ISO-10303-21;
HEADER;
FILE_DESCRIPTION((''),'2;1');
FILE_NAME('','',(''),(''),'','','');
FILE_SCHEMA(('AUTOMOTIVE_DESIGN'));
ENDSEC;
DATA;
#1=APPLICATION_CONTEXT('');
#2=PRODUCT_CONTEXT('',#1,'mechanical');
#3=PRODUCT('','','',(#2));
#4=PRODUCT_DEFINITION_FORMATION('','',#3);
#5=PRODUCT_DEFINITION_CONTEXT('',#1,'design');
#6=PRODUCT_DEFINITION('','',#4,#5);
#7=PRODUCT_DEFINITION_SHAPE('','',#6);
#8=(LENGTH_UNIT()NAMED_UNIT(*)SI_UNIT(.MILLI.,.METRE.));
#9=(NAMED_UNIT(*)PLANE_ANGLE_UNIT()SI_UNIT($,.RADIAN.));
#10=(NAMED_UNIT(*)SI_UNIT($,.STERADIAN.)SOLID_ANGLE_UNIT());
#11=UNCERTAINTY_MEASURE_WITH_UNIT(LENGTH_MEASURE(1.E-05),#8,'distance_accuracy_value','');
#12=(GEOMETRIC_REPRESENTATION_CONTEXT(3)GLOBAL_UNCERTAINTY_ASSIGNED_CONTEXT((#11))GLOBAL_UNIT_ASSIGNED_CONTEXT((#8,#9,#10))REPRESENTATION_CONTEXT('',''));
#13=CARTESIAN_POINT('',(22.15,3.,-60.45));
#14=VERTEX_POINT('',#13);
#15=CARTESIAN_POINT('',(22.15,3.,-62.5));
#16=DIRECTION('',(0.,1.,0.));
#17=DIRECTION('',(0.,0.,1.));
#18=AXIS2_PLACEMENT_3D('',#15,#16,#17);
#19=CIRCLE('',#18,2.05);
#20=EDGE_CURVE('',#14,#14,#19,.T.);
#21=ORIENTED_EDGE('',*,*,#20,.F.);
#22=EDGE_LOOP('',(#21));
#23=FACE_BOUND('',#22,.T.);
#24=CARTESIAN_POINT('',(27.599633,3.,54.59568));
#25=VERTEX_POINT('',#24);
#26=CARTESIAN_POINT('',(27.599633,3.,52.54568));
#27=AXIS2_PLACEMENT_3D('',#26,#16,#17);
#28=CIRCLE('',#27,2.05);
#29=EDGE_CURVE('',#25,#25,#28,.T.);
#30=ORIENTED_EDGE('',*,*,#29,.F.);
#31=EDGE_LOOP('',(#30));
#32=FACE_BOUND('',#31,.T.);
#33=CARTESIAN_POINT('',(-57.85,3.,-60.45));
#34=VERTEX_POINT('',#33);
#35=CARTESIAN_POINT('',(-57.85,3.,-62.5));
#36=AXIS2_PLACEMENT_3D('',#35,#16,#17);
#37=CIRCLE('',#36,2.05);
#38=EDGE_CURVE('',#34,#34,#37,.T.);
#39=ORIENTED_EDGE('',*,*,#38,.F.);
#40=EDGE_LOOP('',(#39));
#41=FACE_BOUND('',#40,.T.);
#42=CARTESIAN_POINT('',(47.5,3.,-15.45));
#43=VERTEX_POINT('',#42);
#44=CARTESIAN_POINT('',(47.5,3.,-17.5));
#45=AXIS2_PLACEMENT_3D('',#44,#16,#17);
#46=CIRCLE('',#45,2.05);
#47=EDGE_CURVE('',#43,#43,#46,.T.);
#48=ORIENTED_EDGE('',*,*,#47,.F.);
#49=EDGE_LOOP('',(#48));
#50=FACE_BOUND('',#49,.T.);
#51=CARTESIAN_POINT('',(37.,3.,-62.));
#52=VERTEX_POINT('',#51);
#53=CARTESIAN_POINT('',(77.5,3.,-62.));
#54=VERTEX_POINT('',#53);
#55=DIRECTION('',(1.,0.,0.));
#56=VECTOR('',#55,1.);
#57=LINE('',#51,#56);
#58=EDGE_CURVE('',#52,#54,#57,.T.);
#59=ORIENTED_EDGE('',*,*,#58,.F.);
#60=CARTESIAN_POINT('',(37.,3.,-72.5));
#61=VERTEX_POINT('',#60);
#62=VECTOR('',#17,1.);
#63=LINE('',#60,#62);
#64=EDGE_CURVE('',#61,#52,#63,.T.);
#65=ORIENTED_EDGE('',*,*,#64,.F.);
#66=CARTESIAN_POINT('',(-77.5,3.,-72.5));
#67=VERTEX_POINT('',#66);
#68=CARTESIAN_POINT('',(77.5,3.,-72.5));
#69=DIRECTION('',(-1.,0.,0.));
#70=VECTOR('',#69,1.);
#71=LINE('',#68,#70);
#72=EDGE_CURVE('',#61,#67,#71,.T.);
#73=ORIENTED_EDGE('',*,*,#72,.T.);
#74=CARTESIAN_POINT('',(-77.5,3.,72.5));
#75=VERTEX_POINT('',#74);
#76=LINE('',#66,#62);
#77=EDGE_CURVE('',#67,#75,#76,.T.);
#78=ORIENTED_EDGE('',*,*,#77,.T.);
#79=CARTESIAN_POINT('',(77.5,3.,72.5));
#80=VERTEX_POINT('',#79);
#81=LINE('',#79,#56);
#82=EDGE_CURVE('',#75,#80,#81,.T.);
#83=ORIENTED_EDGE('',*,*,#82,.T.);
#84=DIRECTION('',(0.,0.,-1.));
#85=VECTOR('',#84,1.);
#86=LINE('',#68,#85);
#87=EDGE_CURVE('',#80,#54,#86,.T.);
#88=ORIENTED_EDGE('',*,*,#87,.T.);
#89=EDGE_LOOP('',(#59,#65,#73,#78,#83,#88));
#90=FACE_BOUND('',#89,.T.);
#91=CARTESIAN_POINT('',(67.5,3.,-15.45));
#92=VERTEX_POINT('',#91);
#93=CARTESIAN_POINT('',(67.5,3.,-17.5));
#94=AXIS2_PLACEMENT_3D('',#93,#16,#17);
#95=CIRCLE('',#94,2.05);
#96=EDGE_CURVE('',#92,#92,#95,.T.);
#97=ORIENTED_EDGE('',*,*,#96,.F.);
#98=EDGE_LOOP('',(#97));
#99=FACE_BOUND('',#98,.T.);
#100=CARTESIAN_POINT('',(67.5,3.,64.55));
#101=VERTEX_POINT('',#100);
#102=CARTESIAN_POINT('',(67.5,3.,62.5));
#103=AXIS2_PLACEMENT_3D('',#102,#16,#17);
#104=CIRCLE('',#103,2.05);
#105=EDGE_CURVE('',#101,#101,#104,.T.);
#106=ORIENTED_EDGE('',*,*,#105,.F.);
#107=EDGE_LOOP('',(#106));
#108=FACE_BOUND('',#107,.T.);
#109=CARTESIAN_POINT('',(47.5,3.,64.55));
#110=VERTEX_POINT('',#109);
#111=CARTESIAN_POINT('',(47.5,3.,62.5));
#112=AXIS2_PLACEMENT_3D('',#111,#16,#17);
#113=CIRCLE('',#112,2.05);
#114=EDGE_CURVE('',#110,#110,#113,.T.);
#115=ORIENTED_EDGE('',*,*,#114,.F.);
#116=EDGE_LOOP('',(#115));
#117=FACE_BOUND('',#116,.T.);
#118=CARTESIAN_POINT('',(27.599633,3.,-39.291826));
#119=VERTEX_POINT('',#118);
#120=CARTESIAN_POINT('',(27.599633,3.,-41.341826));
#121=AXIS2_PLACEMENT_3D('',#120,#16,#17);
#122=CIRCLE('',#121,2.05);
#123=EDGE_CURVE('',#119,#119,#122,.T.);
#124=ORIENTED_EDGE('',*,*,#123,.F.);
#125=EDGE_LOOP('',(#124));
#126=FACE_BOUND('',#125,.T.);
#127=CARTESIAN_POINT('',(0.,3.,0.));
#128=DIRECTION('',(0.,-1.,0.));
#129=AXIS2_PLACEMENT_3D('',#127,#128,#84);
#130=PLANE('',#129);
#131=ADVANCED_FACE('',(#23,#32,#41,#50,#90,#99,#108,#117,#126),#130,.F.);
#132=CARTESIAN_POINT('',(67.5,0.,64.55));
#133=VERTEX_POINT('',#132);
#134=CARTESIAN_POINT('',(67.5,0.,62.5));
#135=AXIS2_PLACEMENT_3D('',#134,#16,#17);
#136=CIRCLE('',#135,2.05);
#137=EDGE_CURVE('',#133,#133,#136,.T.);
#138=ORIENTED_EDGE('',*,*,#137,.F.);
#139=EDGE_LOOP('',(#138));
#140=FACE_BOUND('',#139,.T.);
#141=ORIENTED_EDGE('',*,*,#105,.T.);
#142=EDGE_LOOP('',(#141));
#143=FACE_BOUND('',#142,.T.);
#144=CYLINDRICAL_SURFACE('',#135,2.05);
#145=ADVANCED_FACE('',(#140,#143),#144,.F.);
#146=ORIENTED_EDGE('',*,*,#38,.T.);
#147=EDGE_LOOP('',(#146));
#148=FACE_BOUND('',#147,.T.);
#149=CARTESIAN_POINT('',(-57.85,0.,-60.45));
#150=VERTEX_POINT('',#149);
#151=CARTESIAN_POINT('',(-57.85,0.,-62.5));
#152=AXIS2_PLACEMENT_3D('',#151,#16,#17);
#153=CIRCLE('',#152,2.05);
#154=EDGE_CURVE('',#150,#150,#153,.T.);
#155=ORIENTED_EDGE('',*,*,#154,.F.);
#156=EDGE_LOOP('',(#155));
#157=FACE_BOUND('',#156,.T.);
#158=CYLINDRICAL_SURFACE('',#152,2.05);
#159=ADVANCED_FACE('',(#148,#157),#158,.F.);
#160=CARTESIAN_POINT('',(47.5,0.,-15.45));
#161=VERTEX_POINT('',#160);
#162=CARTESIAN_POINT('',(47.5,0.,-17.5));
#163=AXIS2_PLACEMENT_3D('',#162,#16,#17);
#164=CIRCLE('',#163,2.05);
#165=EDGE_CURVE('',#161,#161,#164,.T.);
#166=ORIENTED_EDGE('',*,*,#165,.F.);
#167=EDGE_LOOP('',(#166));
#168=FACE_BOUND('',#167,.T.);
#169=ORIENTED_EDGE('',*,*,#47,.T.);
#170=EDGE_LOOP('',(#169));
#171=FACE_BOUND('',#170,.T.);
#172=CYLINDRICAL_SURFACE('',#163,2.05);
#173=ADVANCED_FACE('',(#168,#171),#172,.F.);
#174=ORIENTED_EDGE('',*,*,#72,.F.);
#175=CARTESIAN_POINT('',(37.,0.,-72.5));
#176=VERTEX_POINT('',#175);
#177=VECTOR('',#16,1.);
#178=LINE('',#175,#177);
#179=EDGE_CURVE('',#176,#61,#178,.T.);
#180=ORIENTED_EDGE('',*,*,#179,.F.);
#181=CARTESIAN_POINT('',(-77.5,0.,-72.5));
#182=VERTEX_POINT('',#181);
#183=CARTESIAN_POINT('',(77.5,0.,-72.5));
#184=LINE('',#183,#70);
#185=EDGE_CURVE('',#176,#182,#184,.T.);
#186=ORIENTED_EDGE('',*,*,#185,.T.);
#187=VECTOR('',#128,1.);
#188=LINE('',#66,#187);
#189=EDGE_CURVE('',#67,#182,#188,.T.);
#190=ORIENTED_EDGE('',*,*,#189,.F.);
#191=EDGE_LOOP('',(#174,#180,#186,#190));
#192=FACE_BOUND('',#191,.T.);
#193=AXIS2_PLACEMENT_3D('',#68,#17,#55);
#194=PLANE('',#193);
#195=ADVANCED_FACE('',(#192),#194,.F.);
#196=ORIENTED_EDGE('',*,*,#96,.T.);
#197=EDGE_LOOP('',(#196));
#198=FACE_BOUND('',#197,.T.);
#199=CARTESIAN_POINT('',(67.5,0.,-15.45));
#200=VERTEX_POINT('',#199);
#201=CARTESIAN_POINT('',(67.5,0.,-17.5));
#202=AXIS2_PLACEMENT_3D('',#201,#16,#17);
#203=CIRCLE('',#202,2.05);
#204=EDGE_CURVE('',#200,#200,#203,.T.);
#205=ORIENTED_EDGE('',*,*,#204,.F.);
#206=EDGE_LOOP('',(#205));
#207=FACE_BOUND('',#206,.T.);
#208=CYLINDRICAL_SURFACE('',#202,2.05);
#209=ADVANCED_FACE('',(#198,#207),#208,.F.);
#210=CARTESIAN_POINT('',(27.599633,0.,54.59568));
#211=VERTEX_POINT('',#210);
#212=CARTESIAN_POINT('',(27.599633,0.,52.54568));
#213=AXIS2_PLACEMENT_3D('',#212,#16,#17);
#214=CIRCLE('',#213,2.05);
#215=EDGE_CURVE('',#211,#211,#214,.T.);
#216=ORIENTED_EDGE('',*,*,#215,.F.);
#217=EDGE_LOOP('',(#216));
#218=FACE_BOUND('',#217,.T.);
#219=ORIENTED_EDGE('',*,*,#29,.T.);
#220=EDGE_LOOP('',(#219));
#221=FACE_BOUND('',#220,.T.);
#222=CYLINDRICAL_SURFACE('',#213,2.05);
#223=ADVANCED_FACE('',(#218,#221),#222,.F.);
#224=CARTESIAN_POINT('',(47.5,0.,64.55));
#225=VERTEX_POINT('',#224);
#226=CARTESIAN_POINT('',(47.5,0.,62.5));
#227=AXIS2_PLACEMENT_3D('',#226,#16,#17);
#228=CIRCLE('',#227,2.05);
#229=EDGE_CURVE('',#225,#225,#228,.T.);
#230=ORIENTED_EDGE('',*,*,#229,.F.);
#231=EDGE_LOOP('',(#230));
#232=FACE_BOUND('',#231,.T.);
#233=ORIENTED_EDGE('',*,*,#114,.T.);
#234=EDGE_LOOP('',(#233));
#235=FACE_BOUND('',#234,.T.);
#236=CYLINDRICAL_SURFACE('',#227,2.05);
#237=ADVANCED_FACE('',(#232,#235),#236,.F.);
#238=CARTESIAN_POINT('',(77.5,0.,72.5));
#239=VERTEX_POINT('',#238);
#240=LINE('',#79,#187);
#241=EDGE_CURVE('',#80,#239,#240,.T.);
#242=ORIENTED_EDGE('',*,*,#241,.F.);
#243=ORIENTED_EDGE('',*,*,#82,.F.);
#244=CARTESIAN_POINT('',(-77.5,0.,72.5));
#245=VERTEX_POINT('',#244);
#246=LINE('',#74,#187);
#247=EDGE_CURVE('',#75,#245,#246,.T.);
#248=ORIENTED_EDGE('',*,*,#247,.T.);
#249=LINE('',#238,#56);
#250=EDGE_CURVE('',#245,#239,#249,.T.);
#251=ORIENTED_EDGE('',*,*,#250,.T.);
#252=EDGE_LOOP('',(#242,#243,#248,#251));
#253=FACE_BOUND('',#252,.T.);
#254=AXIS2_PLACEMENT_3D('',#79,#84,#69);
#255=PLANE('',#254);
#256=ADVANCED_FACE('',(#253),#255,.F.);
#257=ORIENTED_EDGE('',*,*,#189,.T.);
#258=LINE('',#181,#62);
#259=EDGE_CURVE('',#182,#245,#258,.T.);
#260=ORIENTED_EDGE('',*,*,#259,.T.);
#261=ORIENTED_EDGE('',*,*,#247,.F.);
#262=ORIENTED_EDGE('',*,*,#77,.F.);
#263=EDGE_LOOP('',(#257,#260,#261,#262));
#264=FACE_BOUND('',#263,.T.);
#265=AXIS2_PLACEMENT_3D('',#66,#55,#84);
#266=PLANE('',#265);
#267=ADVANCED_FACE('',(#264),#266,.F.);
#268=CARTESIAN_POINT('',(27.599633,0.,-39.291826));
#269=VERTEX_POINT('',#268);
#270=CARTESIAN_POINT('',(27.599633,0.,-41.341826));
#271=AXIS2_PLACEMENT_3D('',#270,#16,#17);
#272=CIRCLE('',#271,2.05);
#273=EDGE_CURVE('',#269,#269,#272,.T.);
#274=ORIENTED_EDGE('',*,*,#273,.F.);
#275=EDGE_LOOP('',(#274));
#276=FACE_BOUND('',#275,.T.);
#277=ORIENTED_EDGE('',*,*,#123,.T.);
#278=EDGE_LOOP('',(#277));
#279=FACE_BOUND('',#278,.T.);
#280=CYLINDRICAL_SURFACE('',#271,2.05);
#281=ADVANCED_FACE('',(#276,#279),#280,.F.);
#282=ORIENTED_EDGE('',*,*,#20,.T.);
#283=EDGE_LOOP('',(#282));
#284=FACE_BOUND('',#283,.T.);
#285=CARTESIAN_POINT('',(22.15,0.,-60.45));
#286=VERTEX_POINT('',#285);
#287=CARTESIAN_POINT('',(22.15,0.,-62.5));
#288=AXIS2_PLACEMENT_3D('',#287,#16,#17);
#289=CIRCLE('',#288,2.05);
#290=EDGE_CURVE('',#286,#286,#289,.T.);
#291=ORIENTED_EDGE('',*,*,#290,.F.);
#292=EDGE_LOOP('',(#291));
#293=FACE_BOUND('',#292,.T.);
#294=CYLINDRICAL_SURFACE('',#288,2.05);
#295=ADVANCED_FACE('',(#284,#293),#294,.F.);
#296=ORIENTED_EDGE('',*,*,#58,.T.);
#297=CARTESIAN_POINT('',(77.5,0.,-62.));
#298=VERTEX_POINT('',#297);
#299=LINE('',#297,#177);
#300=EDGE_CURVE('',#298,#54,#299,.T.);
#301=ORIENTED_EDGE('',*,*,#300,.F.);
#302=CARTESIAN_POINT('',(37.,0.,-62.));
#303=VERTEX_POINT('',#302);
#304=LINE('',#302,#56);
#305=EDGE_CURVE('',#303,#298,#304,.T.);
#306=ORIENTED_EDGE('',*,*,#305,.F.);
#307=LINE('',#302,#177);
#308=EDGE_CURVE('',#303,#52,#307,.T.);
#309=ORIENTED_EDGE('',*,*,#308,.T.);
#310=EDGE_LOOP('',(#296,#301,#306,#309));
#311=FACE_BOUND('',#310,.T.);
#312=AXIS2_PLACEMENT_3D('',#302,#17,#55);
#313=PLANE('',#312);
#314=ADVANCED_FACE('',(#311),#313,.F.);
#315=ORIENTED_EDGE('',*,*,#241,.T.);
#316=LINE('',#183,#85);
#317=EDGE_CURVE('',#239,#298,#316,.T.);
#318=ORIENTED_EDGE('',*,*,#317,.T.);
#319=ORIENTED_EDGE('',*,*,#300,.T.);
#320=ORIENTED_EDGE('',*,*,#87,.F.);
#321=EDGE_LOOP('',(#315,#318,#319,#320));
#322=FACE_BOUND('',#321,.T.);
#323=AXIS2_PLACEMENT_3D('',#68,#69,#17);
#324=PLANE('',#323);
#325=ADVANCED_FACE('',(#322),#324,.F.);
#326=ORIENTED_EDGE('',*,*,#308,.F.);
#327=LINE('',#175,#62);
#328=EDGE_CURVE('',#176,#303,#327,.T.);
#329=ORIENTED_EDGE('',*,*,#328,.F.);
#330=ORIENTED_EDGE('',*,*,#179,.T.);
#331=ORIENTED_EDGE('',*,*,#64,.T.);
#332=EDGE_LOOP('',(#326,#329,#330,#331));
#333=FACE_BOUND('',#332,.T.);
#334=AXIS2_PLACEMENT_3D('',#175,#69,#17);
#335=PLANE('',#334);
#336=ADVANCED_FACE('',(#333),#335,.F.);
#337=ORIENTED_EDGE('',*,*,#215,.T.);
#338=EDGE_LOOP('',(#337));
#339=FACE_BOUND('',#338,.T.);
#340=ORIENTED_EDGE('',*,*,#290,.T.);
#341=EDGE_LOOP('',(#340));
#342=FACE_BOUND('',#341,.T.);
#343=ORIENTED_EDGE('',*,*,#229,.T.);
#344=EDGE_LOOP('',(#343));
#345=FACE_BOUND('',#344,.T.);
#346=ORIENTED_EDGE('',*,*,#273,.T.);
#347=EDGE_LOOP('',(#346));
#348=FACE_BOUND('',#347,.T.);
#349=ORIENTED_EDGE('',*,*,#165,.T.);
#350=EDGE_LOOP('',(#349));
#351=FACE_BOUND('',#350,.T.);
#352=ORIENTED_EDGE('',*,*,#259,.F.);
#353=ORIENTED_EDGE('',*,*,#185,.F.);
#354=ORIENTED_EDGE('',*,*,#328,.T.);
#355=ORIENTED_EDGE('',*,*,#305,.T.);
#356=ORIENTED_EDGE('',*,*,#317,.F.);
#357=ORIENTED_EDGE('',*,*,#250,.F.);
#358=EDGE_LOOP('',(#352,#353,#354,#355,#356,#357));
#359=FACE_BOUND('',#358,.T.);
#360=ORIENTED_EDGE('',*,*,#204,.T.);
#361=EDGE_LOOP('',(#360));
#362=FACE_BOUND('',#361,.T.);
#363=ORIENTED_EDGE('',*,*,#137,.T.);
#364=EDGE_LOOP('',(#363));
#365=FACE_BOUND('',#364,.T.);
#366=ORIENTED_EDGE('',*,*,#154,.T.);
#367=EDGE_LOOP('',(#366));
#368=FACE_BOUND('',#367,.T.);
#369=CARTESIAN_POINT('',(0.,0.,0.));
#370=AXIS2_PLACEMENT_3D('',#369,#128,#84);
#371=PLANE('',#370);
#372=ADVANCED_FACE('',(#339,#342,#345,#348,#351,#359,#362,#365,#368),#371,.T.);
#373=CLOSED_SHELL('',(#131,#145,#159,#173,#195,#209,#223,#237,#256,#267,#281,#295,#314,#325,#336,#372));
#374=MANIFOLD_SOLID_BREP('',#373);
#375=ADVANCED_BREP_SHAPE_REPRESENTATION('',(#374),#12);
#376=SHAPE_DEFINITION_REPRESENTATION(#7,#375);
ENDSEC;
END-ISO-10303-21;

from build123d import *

# Parameters (mm, degrees)
SKETCH2_W           = 155
SKETCH2_H           = 145
BOSS_EXTRUDE1_DEPTH = 3
SKETCH4_W           = 40.5
SKETCH4_H           = 10.5
CUT_EXTRUDE1_DEPTH  = 3
SKETCH5_R           = 2.05
CUT_EXTRUDE2_DEPTH  = 3
SKETCH6_R           = 2.05
CUT_EXTRUDE3_DEPTH  = 3


with BuildPart() as part:
    # Sketch2 → Boss-Extrude1 (new body)
    with BuildSketch(Plane(origin=(0, 0, 0), x_dir=(1, 0, 0), z_dir=(0, 1, 0))):
        Rectangle(SKETCH2_W, SKETCH2_H)
    extrude(amount=BOSS_EXTRUDE1_DEPTH)

    # Sketch4 → Cut-Extrude1 (cut)
    with BuildSketch(Plane(origin=(0, 3, 0), x_dir=(1, 0, 0), z_dir=(0, 1, 0))):
        with Locations((57.25, 67.25)):
            Rectangle(SKETCH4_W, SKETCH4_H)
    extrude(amount=-CUT_EXTRUDE1_DEPTH, mode=Mode.SUBTRACT)

    # Sketch5 → Cut-Extrude2 (cut)
    with BuildSketch(Plane(origin=(0, 3, 0), x_dir=(1, 0, 0), z_dir=(0, 1, 0))):
        with Locations(Location((-57.85, 62.5, 0), (0, 0, 270))):
            Circle(SKETCH5_R)
        with Locations(Location((22.15, 62.5, 0), (0, 0, 270))):
            Circle(SKETCH5_R)
        with Locations(Location((47.5, 17.5, 0), (0, 0, 270))):
            Circle(SKETCH5_R)
        with Locations(Location((67.5, 17.5, 0), (0, 0, 270))):
            Circle(SKETCH5_R)
        with Locations(Location((47.5, -62.5, 0), (0, 0, 270))):
            Circle(SKETCH5_R)
        with Locations(Location((67.5, -62.5, 0), (0, 0, 270))):
            Circle(SKETCH5_R)
    extrude(amount=-CUT_EXTRUDE2_DEPTH, mode=Mode.SUBTRACT)

    # Sketch6 → Cut-Extrude3 (cut)
    with BuildSketch(Plane(origin=(0, 3, 0), x_dir=(1, 0, 0), z_dir=(0, 1, 0))):
        with Locations(Location((27.599633374, -52.545679653, 0), (0, 0, 270))):
            Circle(SKETCH6_R)
        with Locations(Location((27.599633374, 41.341825757, 0), (0, 0, 270))):
            Circle(SKETCH6_R)
    extrude(amount=-CUT_EXTRUDE3_DEPTH, mode=Mode.SUBTRACT)


solid = part.part
